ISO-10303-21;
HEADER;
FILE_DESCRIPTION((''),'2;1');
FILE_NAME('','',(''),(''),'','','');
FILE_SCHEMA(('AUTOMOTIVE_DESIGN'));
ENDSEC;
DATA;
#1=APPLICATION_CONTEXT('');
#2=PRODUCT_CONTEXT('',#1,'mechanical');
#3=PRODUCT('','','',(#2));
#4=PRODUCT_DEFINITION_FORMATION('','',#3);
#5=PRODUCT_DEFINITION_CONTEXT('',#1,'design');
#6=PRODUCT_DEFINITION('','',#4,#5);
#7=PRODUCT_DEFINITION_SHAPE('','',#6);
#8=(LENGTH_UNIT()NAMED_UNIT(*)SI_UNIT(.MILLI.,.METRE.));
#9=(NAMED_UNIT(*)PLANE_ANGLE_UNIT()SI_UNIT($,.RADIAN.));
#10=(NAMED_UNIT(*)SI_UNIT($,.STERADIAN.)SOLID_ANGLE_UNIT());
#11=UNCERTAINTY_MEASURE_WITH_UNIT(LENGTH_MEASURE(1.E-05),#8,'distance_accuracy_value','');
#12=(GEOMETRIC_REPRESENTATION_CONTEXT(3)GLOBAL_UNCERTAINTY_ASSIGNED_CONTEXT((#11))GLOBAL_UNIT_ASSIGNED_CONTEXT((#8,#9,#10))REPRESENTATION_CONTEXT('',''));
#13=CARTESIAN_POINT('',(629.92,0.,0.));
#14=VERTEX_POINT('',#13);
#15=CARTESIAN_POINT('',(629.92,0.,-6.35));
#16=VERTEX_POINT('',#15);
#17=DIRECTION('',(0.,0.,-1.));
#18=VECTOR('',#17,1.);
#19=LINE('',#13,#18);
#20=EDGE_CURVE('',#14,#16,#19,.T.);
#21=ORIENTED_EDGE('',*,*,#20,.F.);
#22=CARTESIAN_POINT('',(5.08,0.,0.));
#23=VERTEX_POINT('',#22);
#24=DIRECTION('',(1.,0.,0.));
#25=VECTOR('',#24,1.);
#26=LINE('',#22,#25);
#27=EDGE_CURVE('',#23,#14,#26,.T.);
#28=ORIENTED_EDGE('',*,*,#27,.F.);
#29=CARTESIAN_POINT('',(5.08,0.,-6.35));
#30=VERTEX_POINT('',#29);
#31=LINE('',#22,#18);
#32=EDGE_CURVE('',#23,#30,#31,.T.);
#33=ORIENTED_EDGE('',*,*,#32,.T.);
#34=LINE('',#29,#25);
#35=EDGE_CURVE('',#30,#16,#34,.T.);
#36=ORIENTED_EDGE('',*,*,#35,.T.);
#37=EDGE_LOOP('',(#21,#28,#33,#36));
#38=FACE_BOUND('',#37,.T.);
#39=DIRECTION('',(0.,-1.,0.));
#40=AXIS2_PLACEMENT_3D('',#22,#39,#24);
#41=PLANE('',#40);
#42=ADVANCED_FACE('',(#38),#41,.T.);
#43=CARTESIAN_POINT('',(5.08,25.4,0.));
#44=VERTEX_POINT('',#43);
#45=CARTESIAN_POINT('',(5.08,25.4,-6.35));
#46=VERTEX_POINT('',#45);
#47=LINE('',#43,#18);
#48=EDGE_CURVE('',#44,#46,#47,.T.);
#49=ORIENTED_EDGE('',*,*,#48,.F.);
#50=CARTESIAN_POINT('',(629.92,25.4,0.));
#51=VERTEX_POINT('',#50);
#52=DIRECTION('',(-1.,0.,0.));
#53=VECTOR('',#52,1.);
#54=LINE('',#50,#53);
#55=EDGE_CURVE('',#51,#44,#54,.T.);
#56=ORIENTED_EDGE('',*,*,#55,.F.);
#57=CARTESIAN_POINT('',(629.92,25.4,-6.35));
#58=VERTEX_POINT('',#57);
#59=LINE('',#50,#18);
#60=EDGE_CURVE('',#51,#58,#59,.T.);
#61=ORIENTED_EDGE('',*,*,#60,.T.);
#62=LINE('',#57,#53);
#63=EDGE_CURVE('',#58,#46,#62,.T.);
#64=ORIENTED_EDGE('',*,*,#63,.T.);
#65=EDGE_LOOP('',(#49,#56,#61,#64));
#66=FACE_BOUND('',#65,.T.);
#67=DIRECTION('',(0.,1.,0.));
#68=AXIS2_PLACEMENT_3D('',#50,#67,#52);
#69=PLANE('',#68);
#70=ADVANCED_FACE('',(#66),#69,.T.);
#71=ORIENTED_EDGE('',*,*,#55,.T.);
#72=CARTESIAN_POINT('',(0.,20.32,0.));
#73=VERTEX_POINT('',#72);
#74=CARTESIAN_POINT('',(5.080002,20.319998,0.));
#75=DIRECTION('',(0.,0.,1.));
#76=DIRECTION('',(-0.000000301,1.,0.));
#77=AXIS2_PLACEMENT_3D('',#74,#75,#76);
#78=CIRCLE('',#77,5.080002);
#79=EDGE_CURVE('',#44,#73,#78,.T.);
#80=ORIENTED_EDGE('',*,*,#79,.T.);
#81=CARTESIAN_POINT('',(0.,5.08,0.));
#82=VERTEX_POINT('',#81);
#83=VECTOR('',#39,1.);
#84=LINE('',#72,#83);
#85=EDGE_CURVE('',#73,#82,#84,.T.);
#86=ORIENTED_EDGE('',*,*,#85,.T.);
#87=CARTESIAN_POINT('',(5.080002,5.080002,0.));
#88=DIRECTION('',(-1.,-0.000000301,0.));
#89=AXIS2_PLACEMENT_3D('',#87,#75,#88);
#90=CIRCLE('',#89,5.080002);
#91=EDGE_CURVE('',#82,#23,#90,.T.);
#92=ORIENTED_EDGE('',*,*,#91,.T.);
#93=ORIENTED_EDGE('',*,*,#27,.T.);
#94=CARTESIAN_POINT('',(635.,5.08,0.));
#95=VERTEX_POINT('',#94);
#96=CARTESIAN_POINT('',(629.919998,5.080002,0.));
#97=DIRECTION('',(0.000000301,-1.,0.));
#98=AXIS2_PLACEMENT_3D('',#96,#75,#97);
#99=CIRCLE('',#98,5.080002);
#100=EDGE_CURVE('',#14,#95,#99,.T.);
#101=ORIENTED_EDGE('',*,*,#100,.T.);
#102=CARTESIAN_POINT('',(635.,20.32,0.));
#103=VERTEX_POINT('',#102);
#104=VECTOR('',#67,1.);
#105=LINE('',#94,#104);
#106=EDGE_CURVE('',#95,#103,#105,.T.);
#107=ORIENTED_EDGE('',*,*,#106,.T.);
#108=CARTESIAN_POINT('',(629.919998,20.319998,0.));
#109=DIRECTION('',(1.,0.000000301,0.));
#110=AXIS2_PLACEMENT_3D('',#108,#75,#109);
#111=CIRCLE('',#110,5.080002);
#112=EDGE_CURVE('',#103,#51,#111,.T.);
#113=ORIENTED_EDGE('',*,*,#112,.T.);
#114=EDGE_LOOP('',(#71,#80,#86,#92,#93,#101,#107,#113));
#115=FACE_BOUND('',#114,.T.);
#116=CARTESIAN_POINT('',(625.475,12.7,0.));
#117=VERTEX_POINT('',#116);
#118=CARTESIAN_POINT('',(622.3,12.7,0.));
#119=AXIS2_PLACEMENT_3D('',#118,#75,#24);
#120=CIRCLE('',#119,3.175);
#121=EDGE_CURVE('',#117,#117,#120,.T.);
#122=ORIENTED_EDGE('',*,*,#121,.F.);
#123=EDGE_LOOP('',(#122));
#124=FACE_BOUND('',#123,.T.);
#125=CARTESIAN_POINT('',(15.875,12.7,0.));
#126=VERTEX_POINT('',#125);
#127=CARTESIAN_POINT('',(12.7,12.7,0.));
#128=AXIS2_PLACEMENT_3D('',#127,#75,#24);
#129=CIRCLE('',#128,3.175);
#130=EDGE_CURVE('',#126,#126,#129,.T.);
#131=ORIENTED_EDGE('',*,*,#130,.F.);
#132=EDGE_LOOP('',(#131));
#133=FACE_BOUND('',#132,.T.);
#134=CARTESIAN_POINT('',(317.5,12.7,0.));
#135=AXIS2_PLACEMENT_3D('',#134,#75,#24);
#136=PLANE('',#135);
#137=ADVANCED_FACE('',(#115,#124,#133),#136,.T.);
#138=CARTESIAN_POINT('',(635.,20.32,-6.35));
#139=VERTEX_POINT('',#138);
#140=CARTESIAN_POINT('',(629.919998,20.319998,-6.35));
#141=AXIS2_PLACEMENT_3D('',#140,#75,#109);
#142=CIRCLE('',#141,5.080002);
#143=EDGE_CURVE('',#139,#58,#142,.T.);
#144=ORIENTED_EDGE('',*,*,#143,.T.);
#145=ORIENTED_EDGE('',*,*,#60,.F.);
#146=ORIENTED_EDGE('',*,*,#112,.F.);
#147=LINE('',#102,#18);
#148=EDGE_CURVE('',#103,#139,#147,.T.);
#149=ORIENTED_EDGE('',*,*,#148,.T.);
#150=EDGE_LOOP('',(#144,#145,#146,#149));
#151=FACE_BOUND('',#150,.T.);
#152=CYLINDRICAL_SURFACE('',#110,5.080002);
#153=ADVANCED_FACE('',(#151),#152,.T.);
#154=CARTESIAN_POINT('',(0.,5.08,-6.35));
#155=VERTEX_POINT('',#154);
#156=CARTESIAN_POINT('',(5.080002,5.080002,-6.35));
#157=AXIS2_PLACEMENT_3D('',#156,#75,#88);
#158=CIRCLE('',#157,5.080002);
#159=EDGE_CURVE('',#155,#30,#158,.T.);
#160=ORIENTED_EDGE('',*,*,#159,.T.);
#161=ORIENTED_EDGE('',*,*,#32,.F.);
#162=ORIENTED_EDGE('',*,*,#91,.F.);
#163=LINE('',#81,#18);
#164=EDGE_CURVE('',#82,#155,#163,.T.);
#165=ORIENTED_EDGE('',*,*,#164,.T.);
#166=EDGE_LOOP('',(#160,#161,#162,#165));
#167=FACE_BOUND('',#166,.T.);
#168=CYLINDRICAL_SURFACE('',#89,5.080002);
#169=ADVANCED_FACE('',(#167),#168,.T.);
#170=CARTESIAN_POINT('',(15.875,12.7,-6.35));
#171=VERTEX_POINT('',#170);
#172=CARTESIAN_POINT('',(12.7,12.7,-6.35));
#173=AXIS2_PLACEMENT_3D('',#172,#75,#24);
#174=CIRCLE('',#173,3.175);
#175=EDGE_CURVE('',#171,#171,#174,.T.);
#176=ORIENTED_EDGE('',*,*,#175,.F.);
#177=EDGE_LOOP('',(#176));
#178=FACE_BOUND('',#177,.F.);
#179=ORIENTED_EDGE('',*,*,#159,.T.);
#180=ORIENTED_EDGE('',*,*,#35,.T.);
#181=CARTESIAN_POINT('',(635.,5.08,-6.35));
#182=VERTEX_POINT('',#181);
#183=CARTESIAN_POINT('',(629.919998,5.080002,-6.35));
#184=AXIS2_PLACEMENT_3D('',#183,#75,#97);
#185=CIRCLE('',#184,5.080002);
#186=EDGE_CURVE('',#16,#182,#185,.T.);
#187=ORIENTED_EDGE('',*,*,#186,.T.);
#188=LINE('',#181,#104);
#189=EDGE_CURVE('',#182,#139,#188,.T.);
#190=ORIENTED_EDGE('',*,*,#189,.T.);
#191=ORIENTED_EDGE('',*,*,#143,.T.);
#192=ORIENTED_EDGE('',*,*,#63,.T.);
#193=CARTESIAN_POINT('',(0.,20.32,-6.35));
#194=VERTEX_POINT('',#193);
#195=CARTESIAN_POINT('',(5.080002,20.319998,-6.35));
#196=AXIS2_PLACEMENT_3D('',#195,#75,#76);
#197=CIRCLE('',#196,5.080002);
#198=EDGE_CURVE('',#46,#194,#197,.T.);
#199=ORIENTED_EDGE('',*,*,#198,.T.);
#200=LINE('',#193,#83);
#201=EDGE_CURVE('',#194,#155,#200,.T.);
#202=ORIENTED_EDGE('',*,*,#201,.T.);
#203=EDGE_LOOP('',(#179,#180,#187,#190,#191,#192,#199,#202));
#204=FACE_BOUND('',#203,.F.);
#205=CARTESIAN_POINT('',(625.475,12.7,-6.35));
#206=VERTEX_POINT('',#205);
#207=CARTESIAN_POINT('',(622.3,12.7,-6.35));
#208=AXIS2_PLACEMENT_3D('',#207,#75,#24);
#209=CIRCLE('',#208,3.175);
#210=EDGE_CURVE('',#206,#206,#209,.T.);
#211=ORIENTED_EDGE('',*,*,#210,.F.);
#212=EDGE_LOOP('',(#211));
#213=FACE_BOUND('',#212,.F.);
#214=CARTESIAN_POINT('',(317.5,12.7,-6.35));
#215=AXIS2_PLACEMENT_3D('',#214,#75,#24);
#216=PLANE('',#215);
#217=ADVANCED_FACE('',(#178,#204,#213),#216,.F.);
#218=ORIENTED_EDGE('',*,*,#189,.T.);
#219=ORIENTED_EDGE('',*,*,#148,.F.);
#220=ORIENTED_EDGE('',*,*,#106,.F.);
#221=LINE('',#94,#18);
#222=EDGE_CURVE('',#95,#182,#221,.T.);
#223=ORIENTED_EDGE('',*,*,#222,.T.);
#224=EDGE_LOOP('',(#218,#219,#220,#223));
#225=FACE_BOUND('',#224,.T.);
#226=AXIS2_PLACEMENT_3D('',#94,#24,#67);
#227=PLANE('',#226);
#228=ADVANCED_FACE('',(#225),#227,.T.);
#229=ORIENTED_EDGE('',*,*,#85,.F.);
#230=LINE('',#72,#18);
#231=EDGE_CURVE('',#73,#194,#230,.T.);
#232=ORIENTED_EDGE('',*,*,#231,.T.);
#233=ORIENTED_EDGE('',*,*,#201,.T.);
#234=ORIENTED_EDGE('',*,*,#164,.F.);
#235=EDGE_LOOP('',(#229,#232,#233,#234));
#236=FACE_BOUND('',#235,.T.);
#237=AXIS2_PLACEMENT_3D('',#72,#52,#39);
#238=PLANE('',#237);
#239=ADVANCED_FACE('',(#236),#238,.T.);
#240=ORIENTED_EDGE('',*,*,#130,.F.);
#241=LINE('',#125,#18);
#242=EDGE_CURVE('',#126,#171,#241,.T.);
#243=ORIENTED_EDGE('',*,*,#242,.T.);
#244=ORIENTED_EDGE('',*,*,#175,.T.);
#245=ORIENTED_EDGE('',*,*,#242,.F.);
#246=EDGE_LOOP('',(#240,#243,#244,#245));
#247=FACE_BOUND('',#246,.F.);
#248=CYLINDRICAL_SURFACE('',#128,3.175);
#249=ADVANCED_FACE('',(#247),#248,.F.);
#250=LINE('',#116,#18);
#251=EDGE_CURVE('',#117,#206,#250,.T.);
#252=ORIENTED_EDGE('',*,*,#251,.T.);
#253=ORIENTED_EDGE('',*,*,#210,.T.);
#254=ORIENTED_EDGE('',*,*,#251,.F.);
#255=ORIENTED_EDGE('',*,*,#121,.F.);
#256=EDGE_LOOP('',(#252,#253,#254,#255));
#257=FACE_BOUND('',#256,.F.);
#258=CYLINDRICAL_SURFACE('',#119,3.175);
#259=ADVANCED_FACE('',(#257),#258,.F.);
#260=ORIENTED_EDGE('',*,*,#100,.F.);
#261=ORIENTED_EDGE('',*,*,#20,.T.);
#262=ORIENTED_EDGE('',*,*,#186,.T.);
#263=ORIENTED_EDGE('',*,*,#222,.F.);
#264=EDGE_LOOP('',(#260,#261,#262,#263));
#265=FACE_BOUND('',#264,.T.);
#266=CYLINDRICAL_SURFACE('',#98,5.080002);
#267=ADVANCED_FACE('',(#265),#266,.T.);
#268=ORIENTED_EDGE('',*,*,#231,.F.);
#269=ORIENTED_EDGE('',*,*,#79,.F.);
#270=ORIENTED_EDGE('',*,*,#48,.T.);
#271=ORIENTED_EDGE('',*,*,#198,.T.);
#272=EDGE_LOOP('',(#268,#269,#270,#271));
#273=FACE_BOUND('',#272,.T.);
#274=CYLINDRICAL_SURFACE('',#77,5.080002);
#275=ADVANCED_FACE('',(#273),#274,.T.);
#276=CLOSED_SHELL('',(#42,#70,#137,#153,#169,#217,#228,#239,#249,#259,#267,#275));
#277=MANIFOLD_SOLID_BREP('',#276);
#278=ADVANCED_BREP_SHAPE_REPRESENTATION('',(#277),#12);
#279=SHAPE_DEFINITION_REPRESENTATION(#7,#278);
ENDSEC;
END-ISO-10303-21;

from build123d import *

# Parameters (mm, degrees)
F0_R     = 3.175
F1_DEPTH = 6.35


with BuildPart() as f1:
    # F0 (on Top) → F1 (new body)
    with BuildSketch(Plane.XY):
        with BuildLine():
            ThreePointArc((0, 5.08), (1.487898, 1.487898), (5.08, 0))
            Line((5.08, 0), (629.92, 0))
            ThreePointArc((629.92, 0), (633.512102, 1.487898), (635, 5.08))
            Line((635, 5.08), (635, 20.32))
            ThreePointArc((635, 20.32), (633.512102, 23.912102), (629.92, 25.4))
            Line((629.92, 25.4), (5.08, 25.4))
            ThreePointArc((5.08, 25.4), (1.487898, 23.912102), (0, 20.32))
            Line((0, 20.32), (0, 5.08))
        make_face()
        with Locations((12.7, 12.7)):
            Circle(F0_R, mode=Mode.SUBTRACT)
        with Locations((622.3, 12.7)):
            Circle(F0_R, mode=Mode.SUBTRACT)
    extrude(amount=-F1_DEPTH)


solid = f1.part
